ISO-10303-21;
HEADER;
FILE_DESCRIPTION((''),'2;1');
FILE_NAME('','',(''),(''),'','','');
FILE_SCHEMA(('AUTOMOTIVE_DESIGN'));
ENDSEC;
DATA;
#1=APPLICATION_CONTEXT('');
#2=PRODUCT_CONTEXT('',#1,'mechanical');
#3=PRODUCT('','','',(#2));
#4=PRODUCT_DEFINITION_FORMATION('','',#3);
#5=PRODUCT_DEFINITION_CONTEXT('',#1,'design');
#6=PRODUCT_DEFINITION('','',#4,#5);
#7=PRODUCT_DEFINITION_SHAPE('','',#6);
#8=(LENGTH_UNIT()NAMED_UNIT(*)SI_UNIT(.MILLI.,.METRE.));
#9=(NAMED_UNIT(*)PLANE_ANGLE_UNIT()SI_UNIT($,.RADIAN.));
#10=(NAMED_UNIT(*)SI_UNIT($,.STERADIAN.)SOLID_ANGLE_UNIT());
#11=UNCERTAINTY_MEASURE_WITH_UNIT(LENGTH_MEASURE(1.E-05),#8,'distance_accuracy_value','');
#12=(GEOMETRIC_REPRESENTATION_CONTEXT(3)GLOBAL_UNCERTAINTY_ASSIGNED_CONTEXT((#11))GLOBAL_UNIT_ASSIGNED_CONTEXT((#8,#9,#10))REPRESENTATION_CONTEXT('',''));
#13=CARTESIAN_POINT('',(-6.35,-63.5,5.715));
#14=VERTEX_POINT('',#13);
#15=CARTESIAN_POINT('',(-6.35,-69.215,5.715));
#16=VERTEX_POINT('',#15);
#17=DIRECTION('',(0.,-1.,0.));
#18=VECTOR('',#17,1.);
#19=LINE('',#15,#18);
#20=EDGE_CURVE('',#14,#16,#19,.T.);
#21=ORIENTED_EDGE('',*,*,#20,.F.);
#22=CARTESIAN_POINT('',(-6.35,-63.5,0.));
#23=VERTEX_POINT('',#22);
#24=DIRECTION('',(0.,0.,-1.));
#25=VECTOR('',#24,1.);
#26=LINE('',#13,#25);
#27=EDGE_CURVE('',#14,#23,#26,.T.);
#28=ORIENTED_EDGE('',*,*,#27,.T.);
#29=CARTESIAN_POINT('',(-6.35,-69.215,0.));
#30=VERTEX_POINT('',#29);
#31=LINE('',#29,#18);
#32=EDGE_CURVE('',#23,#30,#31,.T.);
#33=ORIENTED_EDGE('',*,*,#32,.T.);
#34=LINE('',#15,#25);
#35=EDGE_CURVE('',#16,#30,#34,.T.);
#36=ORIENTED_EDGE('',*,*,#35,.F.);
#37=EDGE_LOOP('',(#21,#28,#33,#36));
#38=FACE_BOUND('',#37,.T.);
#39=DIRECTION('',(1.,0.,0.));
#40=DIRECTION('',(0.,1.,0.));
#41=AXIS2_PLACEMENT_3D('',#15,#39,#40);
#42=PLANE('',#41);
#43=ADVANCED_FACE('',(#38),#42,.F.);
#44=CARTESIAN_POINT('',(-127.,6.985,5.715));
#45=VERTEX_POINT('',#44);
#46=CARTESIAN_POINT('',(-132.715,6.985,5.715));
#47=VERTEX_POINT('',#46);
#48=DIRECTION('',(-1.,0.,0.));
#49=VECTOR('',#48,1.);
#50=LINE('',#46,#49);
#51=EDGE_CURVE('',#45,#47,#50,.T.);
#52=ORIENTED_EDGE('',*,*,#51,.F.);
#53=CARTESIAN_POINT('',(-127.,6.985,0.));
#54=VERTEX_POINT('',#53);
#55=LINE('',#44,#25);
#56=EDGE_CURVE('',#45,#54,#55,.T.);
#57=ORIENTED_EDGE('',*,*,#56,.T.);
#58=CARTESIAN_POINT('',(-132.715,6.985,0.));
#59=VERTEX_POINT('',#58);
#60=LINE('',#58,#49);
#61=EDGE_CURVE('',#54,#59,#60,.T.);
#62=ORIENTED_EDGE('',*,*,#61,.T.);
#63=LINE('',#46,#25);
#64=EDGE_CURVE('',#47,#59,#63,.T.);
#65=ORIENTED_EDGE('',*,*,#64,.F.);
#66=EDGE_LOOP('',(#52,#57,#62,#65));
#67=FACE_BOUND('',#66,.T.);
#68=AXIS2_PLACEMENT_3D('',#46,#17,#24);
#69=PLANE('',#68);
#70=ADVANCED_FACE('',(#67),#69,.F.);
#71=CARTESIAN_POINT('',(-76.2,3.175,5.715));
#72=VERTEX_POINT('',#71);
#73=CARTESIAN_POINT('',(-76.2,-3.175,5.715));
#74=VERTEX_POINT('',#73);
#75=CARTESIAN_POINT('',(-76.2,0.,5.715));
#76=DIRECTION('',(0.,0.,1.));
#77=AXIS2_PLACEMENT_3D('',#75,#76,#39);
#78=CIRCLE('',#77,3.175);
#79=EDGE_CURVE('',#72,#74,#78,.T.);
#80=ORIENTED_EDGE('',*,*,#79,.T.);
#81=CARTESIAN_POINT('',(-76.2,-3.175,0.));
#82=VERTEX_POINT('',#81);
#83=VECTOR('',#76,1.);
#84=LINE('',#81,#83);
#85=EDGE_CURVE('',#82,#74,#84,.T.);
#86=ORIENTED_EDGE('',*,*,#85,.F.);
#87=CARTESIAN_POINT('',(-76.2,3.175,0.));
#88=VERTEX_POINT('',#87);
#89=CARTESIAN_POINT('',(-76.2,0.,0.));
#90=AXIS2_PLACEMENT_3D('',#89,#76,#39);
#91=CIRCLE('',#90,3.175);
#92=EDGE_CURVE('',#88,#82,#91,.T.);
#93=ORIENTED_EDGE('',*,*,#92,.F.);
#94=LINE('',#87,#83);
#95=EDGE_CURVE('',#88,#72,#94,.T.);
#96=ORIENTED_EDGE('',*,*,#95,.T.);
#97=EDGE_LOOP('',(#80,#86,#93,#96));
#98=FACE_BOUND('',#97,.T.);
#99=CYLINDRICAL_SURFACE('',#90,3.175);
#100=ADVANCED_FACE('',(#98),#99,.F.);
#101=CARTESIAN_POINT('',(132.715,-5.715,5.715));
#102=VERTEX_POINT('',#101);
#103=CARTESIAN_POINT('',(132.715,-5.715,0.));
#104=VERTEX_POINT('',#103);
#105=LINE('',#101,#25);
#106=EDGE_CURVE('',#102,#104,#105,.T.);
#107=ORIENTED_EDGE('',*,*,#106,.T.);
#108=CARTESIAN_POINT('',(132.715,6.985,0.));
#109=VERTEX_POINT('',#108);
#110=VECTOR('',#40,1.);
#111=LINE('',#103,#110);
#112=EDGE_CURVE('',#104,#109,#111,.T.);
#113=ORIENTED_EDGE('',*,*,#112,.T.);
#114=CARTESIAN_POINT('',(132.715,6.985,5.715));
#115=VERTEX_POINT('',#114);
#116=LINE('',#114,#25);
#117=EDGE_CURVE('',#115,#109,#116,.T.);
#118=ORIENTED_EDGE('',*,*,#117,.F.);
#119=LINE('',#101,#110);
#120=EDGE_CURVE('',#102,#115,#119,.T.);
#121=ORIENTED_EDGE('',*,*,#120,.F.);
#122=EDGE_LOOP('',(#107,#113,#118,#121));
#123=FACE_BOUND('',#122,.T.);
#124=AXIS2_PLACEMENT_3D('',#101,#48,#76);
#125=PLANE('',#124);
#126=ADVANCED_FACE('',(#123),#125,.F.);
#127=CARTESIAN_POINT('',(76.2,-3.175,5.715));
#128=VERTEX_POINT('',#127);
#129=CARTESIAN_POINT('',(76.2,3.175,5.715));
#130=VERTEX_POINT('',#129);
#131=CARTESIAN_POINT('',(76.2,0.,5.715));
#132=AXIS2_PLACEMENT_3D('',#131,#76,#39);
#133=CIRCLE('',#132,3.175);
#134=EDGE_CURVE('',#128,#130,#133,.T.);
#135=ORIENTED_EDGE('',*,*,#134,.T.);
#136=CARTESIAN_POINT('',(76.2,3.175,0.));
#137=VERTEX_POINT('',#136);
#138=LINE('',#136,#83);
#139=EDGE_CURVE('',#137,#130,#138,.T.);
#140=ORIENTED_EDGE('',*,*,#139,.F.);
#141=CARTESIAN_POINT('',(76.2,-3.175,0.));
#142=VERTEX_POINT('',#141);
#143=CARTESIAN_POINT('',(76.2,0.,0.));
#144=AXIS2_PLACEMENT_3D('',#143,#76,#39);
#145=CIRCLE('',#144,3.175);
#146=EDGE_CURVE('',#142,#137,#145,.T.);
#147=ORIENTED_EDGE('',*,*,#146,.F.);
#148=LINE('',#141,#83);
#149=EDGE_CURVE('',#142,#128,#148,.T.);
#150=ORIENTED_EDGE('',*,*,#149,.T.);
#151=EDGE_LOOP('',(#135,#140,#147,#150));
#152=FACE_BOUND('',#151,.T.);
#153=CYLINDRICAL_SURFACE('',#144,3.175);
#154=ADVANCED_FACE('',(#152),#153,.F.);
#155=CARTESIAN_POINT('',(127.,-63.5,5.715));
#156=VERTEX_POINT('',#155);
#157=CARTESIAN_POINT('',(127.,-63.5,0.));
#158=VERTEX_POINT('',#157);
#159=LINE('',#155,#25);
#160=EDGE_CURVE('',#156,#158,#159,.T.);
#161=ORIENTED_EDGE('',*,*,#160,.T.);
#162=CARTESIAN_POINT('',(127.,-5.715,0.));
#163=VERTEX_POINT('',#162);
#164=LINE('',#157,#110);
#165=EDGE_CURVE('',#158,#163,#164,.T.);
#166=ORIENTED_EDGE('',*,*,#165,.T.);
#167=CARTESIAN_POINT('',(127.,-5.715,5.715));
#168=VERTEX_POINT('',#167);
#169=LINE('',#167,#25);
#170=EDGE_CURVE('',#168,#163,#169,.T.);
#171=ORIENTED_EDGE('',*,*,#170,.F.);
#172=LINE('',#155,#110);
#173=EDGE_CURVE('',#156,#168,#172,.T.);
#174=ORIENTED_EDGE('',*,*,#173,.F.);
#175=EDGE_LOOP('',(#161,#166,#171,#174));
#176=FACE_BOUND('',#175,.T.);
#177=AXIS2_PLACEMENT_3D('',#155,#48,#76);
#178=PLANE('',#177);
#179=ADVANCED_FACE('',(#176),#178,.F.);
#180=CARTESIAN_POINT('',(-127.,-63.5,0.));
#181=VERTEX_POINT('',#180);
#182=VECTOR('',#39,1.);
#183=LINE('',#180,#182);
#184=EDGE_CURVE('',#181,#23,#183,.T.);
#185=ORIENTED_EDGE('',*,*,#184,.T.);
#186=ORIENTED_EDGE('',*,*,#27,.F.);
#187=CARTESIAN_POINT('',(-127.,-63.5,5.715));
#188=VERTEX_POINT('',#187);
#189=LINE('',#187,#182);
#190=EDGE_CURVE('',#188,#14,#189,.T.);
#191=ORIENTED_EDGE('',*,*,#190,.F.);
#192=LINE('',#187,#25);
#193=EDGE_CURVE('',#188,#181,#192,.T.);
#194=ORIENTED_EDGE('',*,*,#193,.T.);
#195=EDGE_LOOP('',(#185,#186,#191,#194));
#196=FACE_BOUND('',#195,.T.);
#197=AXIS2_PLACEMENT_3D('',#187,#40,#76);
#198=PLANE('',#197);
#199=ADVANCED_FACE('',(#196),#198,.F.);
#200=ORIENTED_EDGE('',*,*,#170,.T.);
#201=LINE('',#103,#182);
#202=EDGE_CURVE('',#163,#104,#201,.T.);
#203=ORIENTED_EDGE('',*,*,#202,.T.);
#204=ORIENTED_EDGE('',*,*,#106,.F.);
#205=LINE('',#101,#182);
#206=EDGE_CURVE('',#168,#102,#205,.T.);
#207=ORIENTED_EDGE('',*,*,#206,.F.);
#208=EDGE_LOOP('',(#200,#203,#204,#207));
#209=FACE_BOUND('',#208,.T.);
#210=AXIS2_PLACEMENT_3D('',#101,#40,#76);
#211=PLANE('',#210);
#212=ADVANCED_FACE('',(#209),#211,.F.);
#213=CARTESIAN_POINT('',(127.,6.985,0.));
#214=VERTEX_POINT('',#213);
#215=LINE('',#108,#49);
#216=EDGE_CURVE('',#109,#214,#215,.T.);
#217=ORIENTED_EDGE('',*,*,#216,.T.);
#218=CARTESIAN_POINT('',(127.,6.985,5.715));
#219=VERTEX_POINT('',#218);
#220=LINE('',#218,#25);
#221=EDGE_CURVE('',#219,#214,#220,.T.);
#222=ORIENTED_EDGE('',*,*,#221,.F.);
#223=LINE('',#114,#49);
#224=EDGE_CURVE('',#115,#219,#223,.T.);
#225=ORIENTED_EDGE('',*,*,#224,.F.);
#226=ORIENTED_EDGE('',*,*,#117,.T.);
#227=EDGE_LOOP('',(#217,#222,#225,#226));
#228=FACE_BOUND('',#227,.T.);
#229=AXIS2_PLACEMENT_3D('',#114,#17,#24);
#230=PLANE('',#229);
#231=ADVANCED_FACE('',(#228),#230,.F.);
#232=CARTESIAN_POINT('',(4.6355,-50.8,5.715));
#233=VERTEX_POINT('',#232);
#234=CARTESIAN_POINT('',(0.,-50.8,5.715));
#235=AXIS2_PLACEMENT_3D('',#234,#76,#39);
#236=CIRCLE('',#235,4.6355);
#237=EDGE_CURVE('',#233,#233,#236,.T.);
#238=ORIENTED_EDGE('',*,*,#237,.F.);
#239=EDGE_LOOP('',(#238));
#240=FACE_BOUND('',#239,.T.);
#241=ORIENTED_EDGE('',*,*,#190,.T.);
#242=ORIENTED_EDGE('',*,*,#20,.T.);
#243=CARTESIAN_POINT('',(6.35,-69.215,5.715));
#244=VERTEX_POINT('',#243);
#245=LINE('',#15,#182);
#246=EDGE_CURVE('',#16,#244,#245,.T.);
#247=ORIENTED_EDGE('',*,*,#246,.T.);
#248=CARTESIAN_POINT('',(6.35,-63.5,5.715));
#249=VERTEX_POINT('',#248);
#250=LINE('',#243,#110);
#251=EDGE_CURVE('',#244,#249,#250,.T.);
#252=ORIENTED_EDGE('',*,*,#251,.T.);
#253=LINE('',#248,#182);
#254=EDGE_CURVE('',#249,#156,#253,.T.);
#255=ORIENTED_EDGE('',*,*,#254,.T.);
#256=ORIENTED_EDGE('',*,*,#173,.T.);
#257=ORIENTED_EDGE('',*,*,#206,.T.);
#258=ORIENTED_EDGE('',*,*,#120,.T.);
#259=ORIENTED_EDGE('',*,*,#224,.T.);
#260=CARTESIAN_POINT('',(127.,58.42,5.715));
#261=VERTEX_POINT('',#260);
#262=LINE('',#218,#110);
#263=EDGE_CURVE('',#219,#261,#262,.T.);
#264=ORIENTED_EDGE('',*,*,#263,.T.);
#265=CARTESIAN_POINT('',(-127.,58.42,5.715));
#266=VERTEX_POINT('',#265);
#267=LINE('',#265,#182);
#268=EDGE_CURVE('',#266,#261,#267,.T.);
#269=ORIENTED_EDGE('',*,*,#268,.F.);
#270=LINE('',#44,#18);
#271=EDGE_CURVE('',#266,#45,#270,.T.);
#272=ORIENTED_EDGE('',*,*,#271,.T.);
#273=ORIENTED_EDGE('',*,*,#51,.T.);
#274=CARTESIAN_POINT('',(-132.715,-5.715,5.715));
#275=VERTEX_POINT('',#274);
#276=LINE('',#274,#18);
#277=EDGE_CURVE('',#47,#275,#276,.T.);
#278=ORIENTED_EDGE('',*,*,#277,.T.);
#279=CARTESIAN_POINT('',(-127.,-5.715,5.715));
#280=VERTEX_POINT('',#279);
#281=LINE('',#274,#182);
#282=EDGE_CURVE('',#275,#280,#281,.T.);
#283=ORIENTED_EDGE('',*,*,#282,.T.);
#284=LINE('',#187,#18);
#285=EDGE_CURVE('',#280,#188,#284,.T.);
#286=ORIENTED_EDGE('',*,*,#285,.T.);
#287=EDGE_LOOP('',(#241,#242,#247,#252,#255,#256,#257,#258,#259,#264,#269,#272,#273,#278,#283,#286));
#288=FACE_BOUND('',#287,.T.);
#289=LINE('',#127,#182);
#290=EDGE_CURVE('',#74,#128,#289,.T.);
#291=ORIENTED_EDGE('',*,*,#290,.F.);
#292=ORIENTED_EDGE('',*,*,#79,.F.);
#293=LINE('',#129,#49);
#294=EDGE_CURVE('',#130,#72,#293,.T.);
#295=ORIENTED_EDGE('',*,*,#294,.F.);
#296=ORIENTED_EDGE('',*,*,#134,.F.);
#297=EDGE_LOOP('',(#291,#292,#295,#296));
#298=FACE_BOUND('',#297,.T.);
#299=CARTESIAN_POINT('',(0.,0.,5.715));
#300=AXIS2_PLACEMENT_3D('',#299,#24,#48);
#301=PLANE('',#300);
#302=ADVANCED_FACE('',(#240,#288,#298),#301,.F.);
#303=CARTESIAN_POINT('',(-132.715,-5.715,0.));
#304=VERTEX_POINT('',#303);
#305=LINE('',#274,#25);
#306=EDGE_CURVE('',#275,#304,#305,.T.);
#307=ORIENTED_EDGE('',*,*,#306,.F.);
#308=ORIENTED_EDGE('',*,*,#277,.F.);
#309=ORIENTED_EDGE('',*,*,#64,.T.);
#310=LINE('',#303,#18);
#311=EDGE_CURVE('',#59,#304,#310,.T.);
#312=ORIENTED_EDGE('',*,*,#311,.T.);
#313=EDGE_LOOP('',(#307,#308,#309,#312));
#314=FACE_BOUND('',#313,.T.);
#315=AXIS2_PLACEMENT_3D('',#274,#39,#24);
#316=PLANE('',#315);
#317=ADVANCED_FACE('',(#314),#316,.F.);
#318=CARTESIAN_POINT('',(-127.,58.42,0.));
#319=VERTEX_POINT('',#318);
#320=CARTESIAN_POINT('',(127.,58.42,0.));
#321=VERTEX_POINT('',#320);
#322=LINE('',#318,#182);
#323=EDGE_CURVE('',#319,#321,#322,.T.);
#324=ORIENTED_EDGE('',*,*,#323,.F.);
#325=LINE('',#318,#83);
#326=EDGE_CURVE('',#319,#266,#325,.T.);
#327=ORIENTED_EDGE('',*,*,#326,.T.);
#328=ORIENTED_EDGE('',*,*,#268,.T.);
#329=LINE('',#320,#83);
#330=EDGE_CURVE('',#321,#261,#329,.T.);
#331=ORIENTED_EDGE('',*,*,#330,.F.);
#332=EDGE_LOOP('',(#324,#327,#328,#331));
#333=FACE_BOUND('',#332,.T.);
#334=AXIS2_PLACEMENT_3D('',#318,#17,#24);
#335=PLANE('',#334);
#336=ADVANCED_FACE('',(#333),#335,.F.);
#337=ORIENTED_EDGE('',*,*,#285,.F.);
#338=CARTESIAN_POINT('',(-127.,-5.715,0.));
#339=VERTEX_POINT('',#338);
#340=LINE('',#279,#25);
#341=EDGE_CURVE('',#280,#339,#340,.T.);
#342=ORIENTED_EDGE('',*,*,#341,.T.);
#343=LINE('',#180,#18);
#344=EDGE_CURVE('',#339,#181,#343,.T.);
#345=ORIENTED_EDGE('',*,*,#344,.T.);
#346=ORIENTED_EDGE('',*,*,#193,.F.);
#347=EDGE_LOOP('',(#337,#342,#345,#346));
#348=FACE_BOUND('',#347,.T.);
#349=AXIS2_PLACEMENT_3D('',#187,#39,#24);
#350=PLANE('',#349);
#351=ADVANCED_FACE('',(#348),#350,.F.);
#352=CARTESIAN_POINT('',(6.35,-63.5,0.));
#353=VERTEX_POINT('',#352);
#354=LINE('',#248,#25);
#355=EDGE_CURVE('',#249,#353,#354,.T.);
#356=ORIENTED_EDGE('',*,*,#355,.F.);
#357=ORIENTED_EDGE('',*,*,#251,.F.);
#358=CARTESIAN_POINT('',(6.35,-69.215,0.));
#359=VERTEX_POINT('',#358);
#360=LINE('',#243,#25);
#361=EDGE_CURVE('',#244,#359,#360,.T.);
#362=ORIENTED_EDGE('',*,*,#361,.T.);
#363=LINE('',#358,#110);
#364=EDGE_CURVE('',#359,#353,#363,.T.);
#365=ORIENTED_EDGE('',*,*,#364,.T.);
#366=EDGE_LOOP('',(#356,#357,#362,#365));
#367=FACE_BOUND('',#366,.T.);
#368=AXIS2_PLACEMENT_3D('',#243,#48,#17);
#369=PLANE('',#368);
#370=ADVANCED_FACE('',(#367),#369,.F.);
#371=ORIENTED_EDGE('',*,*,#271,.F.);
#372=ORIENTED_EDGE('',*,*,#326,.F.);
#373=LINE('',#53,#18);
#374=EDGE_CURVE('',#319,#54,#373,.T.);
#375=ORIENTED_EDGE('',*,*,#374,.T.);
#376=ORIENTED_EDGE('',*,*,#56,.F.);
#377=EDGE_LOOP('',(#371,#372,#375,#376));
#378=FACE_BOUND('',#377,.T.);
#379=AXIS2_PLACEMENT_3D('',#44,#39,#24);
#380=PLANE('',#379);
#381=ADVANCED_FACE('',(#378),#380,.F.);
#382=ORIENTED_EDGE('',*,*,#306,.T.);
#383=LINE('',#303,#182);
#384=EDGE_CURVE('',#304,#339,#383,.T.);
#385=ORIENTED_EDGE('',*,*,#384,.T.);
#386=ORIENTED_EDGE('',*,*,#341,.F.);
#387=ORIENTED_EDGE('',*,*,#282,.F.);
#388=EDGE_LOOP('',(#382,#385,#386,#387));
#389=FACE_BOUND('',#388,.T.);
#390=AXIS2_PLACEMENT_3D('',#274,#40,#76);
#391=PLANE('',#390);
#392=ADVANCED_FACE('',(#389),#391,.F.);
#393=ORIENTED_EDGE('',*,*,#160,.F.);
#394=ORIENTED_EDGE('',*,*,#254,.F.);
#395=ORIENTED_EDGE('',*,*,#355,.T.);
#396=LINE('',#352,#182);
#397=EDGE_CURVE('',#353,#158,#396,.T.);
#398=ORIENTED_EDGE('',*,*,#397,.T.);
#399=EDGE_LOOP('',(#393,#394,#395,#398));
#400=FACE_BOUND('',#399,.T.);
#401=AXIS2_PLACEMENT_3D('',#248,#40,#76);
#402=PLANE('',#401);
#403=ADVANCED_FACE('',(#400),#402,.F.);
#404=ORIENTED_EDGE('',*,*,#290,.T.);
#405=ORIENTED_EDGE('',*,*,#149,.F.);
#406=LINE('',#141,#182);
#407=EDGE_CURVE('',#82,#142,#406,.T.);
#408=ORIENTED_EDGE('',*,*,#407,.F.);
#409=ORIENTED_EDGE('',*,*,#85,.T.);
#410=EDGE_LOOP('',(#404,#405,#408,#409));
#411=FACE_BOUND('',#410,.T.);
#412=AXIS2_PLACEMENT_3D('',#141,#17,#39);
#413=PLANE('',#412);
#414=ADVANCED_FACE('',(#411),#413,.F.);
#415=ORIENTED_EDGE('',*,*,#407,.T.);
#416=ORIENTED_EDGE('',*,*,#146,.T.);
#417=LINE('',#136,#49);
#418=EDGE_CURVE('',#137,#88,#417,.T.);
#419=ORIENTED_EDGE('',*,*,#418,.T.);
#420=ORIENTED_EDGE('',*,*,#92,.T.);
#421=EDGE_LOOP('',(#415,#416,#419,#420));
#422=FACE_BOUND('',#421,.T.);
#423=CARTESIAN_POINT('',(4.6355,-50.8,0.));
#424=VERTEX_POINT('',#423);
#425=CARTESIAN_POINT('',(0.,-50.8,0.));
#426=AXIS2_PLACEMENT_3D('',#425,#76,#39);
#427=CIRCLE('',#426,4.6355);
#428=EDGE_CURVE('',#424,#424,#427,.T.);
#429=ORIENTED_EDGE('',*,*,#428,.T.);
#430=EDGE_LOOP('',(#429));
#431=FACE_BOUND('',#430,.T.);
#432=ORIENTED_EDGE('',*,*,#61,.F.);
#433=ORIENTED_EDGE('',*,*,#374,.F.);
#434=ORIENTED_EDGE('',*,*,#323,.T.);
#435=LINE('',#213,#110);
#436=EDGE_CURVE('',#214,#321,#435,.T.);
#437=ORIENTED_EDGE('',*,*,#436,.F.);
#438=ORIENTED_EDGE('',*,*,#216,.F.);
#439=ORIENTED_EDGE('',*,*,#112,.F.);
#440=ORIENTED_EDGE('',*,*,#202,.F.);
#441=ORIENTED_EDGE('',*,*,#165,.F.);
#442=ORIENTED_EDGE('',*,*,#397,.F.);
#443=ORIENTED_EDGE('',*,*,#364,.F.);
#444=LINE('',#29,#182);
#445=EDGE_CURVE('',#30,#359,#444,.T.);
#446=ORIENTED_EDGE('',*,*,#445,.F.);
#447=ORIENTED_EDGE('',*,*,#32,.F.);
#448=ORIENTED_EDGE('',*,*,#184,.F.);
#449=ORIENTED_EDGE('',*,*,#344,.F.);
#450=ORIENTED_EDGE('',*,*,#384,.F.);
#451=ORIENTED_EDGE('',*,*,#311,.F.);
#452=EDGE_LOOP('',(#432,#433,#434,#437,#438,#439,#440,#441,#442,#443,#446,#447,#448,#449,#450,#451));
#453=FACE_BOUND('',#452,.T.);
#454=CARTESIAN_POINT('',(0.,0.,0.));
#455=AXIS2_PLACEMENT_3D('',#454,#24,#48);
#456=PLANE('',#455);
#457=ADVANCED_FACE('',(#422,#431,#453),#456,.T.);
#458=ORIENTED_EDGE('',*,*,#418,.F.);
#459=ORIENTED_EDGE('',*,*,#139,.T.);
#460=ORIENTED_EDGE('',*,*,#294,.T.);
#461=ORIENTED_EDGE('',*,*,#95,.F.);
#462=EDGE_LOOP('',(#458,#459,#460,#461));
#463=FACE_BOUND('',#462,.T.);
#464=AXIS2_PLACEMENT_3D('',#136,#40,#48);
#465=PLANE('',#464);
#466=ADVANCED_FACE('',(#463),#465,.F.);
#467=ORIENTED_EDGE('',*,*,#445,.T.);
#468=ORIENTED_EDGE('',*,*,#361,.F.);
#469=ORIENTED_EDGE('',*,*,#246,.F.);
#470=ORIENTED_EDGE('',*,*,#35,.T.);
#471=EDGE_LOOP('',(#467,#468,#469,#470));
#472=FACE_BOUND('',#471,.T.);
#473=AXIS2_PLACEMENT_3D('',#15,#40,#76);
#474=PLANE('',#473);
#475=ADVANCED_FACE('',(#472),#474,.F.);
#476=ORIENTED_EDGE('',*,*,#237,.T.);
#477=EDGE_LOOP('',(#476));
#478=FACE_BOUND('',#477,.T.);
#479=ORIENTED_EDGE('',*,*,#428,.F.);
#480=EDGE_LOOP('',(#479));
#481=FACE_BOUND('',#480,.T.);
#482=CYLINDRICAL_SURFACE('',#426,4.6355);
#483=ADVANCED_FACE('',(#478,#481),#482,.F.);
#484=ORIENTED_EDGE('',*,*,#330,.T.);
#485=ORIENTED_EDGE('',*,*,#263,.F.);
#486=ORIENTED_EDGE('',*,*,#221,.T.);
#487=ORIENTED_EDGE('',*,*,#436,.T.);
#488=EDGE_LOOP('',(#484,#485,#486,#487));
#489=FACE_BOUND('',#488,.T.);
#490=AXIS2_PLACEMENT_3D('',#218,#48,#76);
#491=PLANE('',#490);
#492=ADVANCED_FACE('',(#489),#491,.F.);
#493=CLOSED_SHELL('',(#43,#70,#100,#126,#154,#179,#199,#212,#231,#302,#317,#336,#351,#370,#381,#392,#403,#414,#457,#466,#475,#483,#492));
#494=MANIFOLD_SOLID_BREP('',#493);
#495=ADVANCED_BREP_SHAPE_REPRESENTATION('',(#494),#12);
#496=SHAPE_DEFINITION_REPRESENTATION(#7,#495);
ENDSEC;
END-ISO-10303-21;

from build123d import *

# Parameters (mm, degrees)
BOSS_EXTRUDE1_DEPTH     = 5.715
CUT_EXTRUDE1_DEPTH      = 6.715
SKETCH4_R               = 4.6355
CUT_EXTRUDE2_DEPTH      = 1
CUT_EXTRUDE2_DEPTH_BACK = 6.715
SKETCH5_W               = 254
SKETCH5_H               = 5.08
CUT_EXTRUDE3_DEPTH      = 6.715


with BuildPart() as part:
    # Sketch1 → Boss-Extrude1 (new body)
    with BuildSketch(Plane.XY):
        Polygon((6.35, -63.5), (127, -63.5), (127, -5.715), (132.715, -5.715), (132.715, 6.985), (127, 6.985), (127, 63.5), (-127, 63.5), (-127, 6.985), (-132.715, 6.985), (-132.715, -5.715), (-127, -5.715), (-127, -63.5), (-6.35, -63.5), (-6.35, -69.215), (6.35, -69.215), align=None)
    extrude(amount=BOSS_EXTRUDE1_DEPTH)

    # Sketch2 → Cut-Extrude1 (cut, through all)
    with BuildSketch(Plane.XY.offset(5.715)):
        with BuildLine():
            Line((76.2, -3.175), (-76.2, -3.175))
            ThreePointArc((-76.2, -3.175), (-79.375, 0), (-76.2, 3.175))
            Line((-76.2, 3.175), (76.2, 3.175))
            ThreePointArc((76.2, 3.175), (79.375, 0), (76.2, -3.175))
        make_face()
    extrude(amount=-CUT_EXTRUDE1_DEPTH, mode=Mode.SUBTRACT)

    # Sketch4 → Cut-Extrude2 (cut, two sides)
    with BuildSketch(Plane.XY.offset(5.715)) as cut_extrude2_sk:
        with Locations((0, -50.8)):
            Circle(SKETCH4_R)
    extrude(amount=CUT_EXTRUDE2_DEPTH, mode=Mode.SUBTRACT)
    extrude(cut_extrude2_sk.sketch, amount=-CUT_EXTRUDE2_DEPTH_BACK, mode=Mode.SUBTRACT)

    # Sketch5 → Cut-Extrude3 (cut, through all)
    with BuildSketch(Plane.XY.offset(5.715)):
        with Locations((0, 60.96)):
            Rectangle(SKETCH5_W, SKETCH5_H)
    extrude(amount=-CUT_EXTRUDE3_DEPTH, mode=Mode.SUBTRACT)


solid = part.part
